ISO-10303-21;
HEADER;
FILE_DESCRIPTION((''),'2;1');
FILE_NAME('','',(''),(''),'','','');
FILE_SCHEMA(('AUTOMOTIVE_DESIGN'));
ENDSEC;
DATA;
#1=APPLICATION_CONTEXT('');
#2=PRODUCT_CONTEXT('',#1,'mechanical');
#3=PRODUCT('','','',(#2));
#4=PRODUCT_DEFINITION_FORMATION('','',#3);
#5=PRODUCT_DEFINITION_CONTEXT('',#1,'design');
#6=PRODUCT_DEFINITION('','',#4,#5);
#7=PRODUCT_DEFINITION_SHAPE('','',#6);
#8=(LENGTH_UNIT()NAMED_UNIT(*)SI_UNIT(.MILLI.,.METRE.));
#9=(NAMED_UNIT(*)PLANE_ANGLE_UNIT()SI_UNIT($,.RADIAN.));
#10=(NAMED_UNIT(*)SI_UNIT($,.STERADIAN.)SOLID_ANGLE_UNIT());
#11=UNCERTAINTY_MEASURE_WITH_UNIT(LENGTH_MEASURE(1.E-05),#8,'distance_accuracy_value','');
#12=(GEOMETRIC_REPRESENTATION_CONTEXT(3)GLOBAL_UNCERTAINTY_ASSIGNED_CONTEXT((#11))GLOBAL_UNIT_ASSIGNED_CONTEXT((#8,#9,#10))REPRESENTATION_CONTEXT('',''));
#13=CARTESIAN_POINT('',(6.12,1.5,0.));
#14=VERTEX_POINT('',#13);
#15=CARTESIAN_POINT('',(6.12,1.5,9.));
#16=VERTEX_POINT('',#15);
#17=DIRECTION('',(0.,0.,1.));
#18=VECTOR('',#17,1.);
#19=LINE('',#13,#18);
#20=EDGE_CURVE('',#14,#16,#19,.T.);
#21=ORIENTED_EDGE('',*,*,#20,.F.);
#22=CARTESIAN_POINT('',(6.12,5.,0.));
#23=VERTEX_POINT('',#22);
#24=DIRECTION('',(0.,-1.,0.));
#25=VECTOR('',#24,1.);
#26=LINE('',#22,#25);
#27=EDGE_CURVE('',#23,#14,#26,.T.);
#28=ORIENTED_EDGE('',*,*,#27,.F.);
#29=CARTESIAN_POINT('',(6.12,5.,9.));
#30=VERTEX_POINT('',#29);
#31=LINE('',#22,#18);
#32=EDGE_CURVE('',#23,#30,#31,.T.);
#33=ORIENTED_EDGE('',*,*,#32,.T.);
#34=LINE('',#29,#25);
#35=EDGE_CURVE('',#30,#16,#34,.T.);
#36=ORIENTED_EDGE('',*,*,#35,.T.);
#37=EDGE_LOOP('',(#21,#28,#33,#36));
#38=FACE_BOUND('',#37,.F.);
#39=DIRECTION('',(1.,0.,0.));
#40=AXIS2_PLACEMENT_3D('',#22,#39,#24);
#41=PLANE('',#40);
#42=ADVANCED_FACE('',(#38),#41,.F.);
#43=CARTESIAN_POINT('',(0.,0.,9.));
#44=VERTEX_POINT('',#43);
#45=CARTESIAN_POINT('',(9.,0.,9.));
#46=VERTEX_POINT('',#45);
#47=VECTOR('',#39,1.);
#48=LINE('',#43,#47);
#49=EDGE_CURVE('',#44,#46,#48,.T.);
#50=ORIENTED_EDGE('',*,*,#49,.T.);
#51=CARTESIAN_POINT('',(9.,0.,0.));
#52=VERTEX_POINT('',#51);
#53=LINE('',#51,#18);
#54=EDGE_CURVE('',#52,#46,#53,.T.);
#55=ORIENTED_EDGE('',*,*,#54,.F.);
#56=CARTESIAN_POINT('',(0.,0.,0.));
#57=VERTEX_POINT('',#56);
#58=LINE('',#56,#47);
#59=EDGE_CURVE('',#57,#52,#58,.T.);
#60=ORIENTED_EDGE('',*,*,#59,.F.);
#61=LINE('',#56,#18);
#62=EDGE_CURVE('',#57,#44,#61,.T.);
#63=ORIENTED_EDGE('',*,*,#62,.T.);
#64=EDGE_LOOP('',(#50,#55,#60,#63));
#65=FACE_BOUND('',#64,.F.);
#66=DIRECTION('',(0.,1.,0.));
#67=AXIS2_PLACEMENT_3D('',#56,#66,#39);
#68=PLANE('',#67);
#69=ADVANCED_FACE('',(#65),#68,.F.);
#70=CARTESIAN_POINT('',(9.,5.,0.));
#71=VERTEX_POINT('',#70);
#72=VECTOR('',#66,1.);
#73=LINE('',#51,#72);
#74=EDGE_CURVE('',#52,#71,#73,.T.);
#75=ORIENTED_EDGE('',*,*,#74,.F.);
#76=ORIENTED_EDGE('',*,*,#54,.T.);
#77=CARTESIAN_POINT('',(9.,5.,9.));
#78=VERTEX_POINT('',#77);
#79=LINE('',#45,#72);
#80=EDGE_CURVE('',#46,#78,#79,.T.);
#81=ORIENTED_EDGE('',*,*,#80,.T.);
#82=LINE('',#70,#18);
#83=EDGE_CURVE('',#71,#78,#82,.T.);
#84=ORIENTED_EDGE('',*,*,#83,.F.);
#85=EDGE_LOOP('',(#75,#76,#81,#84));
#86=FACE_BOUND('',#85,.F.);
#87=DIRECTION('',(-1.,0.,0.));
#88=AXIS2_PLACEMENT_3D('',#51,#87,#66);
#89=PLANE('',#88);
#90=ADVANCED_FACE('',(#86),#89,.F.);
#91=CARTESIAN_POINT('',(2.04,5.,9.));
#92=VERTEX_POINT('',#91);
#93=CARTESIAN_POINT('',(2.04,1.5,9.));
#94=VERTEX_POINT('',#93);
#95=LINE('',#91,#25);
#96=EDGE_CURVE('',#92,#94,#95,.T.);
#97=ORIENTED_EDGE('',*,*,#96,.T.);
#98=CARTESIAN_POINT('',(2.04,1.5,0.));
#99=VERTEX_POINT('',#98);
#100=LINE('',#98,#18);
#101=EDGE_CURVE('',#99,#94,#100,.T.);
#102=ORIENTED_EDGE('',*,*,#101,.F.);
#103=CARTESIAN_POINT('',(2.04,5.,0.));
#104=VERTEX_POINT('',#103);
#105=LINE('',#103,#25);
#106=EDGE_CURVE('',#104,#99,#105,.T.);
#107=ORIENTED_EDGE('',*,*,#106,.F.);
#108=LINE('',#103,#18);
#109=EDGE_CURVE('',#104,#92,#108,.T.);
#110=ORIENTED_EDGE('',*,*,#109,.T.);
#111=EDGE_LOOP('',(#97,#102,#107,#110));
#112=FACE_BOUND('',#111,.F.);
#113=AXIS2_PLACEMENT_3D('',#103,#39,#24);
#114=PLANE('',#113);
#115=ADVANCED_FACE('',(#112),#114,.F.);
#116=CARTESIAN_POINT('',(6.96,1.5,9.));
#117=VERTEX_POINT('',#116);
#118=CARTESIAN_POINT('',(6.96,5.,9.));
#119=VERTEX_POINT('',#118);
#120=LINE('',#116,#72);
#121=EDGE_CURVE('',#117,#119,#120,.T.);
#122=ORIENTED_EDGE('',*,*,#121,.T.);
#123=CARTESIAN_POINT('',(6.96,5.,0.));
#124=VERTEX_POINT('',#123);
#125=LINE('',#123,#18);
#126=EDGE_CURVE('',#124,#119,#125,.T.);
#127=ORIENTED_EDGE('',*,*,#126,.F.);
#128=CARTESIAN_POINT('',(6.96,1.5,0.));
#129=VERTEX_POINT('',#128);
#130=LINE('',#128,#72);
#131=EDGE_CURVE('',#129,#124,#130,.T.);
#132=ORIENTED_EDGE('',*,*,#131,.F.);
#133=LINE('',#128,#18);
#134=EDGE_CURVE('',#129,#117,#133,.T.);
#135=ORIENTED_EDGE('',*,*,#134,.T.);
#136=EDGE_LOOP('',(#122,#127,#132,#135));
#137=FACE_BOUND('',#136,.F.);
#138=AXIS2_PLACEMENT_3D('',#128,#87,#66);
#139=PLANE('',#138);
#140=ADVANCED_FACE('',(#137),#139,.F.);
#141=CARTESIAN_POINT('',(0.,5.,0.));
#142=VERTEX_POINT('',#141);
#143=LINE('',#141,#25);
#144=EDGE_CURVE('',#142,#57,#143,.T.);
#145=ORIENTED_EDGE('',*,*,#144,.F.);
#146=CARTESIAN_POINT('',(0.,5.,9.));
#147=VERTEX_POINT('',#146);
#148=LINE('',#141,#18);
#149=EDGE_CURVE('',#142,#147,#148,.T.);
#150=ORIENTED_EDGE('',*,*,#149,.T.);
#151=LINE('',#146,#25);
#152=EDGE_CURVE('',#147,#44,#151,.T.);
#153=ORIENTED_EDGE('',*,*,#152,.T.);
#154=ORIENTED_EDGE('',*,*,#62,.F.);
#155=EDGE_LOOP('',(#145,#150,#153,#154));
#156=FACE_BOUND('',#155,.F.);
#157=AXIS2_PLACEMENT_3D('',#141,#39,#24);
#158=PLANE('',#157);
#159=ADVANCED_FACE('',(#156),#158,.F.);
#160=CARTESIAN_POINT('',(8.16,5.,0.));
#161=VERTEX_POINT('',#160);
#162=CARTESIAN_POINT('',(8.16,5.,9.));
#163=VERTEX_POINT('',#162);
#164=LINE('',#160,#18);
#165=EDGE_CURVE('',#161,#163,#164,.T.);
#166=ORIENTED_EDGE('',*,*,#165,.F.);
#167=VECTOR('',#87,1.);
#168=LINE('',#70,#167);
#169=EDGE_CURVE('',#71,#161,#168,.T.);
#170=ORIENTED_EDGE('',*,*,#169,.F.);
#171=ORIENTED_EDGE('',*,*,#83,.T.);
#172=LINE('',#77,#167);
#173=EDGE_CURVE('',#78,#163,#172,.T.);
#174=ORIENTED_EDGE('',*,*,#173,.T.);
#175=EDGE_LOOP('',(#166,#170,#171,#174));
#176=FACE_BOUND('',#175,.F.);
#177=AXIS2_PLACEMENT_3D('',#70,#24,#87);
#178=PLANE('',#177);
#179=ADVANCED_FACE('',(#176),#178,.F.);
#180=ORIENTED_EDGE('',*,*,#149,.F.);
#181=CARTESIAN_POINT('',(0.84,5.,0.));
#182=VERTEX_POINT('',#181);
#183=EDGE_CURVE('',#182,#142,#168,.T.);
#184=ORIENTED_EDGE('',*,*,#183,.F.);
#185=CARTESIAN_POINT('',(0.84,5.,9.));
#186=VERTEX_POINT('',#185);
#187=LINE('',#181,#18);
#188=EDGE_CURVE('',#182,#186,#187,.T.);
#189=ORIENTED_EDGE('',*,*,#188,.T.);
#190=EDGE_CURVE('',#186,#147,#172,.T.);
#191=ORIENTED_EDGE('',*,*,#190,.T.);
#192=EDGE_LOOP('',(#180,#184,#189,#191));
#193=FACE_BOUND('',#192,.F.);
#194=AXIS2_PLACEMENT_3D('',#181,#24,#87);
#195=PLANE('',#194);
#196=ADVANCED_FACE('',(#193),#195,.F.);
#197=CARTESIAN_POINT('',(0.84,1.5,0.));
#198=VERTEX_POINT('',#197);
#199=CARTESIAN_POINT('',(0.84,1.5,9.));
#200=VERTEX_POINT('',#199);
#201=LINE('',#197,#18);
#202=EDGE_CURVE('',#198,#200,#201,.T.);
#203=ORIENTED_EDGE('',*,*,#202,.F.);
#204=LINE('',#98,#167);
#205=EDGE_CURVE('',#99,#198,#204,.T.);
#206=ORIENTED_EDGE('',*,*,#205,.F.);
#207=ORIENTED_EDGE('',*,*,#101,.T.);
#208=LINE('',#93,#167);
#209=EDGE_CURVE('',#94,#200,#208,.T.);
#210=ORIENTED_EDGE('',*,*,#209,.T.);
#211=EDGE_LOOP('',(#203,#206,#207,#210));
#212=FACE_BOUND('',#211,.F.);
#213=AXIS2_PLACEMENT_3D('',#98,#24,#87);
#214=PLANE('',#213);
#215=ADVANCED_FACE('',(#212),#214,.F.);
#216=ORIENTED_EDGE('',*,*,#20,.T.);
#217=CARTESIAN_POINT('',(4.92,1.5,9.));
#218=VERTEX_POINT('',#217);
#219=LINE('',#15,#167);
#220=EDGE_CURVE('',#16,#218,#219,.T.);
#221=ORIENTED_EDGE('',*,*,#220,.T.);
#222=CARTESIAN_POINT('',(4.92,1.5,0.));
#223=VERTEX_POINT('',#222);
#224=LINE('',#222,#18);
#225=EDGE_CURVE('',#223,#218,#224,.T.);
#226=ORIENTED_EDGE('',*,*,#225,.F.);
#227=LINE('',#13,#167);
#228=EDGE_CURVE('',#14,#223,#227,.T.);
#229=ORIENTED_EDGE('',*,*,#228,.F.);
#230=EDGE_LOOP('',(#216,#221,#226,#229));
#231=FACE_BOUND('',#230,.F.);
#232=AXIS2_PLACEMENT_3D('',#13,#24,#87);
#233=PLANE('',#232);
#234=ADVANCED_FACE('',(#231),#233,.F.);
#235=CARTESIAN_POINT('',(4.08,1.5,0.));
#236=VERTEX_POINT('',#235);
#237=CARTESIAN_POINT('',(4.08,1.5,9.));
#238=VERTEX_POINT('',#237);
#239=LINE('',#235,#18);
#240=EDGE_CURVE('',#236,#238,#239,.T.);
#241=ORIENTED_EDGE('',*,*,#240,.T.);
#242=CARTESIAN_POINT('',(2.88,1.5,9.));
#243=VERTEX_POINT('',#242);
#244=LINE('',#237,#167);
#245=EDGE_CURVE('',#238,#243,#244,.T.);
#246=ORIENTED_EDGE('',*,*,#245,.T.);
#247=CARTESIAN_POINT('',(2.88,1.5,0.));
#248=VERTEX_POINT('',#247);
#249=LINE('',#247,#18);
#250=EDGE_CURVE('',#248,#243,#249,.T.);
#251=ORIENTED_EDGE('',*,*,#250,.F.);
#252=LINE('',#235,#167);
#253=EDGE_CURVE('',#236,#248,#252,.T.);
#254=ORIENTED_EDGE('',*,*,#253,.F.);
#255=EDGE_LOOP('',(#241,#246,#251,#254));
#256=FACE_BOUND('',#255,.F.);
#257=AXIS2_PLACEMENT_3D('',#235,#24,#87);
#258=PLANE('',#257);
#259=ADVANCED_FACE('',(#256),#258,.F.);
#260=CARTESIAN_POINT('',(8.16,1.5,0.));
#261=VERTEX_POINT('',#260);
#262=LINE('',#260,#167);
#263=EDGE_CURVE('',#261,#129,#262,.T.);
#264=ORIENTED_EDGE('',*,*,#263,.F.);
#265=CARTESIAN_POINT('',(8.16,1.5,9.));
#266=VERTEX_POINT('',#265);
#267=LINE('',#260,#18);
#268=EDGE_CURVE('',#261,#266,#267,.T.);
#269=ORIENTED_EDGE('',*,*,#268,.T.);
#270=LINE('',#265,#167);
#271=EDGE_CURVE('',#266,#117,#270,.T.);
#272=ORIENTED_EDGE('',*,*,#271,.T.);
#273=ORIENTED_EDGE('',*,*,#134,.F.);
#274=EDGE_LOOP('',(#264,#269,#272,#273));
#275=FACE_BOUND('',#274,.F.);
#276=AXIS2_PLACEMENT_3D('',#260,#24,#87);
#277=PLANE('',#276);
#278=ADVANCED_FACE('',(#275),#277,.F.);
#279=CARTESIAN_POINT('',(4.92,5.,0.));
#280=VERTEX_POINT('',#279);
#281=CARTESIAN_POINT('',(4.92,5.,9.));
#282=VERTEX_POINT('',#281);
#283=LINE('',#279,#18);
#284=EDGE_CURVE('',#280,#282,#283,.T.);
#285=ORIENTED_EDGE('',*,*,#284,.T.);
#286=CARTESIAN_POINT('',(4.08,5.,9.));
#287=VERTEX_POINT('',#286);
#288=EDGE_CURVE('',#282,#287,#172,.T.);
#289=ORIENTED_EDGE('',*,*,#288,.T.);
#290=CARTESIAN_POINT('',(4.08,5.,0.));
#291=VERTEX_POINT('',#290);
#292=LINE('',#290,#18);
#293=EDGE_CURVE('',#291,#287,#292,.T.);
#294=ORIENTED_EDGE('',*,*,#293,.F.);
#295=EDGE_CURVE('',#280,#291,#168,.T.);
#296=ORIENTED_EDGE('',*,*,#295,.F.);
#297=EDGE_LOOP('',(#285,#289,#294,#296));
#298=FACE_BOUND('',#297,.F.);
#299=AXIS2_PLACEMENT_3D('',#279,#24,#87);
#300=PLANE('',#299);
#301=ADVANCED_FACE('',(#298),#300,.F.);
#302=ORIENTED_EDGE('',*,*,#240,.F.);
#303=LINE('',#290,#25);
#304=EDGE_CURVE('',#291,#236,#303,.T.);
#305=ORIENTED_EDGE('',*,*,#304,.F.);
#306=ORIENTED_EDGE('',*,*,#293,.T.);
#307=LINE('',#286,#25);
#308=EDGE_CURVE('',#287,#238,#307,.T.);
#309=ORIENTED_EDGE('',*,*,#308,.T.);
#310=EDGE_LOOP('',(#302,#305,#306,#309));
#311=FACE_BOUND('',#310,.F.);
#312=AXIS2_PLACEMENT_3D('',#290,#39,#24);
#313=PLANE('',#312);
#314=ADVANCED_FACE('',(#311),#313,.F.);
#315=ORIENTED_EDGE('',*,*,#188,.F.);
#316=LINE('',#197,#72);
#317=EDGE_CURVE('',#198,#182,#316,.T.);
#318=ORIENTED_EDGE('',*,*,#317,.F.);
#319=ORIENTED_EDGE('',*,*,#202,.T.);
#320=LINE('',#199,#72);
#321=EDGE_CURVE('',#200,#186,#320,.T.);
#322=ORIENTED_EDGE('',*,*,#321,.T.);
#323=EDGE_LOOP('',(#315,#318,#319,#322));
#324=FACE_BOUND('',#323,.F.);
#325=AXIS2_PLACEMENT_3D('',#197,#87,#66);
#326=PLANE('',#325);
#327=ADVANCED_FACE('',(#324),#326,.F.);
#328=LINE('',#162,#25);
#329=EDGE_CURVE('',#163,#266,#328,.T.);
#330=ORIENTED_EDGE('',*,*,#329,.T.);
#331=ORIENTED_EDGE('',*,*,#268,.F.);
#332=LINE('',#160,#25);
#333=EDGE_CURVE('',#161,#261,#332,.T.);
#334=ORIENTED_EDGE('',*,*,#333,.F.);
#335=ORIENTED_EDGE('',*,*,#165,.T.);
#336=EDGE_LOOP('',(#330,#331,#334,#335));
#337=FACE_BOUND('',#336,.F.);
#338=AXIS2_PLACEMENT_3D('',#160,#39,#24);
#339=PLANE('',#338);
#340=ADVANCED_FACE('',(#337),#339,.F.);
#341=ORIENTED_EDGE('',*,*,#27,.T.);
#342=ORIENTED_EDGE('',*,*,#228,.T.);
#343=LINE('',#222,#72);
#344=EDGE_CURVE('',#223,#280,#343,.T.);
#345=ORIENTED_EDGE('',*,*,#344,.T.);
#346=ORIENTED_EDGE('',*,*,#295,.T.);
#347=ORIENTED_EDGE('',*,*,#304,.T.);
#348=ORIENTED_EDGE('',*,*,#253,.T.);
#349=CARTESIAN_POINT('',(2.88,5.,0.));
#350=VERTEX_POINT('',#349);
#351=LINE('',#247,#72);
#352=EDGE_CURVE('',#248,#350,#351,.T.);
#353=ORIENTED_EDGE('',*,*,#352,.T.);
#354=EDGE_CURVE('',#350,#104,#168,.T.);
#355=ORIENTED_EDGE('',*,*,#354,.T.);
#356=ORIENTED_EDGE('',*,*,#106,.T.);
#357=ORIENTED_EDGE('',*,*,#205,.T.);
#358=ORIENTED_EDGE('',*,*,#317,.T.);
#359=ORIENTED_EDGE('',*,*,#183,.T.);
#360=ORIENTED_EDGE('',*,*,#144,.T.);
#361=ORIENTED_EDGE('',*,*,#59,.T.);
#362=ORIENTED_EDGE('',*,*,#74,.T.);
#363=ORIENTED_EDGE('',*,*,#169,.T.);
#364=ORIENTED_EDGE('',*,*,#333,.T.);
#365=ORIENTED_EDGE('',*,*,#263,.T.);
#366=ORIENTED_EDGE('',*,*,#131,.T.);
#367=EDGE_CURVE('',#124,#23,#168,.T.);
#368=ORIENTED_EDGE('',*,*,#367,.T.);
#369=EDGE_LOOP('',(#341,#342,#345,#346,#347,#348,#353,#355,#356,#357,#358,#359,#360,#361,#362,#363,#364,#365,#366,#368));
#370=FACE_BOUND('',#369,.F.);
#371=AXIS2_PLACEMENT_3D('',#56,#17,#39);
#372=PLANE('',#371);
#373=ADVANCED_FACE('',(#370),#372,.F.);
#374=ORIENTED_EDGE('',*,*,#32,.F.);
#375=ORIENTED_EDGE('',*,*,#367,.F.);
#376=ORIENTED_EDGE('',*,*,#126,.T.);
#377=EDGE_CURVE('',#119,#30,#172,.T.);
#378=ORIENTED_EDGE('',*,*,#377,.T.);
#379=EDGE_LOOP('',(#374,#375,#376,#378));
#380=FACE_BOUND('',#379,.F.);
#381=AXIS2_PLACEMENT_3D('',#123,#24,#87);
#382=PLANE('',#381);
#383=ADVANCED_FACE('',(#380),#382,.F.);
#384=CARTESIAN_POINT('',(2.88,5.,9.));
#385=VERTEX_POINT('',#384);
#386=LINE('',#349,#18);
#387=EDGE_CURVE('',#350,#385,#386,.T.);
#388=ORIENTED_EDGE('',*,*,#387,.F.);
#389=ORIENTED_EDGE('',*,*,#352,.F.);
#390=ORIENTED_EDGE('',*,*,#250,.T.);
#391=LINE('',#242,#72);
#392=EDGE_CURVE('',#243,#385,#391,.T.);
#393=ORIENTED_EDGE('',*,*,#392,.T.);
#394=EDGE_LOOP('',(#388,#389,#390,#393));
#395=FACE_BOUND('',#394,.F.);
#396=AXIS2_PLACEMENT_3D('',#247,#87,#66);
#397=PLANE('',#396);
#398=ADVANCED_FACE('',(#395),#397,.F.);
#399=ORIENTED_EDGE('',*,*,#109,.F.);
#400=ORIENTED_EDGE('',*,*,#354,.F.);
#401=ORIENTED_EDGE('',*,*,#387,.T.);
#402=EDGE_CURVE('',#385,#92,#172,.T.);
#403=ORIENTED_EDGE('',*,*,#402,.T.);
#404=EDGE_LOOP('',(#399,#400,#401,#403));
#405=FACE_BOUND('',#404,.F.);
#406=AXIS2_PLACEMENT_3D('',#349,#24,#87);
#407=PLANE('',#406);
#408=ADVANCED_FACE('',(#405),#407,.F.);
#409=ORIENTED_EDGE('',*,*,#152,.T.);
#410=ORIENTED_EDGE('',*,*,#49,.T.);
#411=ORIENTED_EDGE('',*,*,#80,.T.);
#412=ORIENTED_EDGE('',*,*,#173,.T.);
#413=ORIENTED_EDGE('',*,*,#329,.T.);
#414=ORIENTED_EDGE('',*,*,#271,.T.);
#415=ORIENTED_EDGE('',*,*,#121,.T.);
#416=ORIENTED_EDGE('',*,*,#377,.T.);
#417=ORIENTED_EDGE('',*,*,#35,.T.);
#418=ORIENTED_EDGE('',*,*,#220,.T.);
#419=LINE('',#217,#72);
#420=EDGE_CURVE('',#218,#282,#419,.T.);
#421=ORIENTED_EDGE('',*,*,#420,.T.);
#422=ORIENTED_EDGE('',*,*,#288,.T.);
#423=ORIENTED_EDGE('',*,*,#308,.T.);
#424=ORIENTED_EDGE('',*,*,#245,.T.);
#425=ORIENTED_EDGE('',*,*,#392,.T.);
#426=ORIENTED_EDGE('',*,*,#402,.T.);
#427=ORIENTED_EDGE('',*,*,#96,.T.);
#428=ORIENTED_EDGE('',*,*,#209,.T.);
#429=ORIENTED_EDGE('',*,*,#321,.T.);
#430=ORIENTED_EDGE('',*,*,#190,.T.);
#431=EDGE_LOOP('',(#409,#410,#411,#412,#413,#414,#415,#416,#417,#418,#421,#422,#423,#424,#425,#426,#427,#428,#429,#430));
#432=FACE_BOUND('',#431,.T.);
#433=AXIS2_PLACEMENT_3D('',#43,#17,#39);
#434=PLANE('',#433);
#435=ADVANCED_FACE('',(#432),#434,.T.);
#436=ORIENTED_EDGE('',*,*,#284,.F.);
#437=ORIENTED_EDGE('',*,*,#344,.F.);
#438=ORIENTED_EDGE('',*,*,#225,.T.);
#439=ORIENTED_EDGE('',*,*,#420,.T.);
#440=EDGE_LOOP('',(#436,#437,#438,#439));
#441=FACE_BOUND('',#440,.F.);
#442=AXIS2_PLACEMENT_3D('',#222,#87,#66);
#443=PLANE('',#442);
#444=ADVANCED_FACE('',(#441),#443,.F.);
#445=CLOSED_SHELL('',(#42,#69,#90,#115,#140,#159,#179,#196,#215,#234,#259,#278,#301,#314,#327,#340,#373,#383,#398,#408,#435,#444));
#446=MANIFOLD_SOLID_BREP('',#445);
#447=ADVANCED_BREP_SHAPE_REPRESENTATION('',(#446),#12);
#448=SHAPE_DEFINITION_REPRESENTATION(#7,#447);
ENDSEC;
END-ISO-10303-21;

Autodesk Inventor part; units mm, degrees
ref_plane "YZ Plane" through (0, 0, 0) normal (1, 0, 0) x (0, 1, 0)
ref_plane "XZ Plane" through (0, 0, 0) normal (0, 1, 0) x (-1, 0, 0)
ref_plane "XY Plane" through (0, 0, 0) normal (0, 0, 1) x (1, 0, 0)
sketch "Sketch1" plane through (0, 0, 0) normal (0, 0, 1) x (1, 0, 0)
  line L0 (0, 0) -> (9, 0)
  line L1 (9, 0) -> (9, 5)
  line L2 (9, 5) -> (0, 5)
  line L3 (0, 5) -> (0, 0)
  line L4 (0.84, 5) -> (2.04, 5)
  line L5 (2.04, 5) -> (2.04, 1.5)
  line L6 (2.04, 1.5) -> (0.84, 1.5)
  line L7 (0.84, 1.5) -> (0.84, 5)
  line L8 (2.88, 5) -> (4.08, 5)
  line L9 (4.08, 5) -> (4.08, 1.5)
  line L10 (4.08, 1.5) -> (2.88, 1.5)
  line L11 (2.88, 1.5) -> (2.88, 5)
  line L12 (4.92, 5) -> (6.12, 5)
  line L13 (6.12, 5) -> (6.12, 1.5)
  line L14 (6.12, 1.5) -> (4.92, 1.5)
  line L15 (4.92, 1.5) -> (4.92, 5)
  line L16 (6.96, 5) -> (8.16, 5)
  line L17 (8.16, 5) -> (8.16, 1.5)
  line L18 (8.16, 1.5) -> (6.96, 1.5)
  line L19 (6.96, 1.5) -> (6.96, 5)
  line L20 (8.16, 3.25) -> (9, 3.25) construction
  line L21 (6.96, 3.25) -> (6.12, 3.25) construction
  line L22 (4.92, 3.25) -> (4.08, 3.25) construction
  line L23 (2.88, 3.25) -> (2.04, 3.25) construction
  line L24 (0.84, 3.25) -> (0, 3.25) construction
  dimension "d0" = 9
  dimension "d2" = 5
  dimension "d3" = 1.2
  dimension "d4" = 3.5
extrude "Extrusion1" add sketch "Sketch1" along normal blind 9 contours L3 L2 L7 L6 L5 L11 L10 L9 L15 L14 L13 L19 L18 L17 L1 L0
properties part number "HEATSINK9x9" material "Aluminum 6061"
